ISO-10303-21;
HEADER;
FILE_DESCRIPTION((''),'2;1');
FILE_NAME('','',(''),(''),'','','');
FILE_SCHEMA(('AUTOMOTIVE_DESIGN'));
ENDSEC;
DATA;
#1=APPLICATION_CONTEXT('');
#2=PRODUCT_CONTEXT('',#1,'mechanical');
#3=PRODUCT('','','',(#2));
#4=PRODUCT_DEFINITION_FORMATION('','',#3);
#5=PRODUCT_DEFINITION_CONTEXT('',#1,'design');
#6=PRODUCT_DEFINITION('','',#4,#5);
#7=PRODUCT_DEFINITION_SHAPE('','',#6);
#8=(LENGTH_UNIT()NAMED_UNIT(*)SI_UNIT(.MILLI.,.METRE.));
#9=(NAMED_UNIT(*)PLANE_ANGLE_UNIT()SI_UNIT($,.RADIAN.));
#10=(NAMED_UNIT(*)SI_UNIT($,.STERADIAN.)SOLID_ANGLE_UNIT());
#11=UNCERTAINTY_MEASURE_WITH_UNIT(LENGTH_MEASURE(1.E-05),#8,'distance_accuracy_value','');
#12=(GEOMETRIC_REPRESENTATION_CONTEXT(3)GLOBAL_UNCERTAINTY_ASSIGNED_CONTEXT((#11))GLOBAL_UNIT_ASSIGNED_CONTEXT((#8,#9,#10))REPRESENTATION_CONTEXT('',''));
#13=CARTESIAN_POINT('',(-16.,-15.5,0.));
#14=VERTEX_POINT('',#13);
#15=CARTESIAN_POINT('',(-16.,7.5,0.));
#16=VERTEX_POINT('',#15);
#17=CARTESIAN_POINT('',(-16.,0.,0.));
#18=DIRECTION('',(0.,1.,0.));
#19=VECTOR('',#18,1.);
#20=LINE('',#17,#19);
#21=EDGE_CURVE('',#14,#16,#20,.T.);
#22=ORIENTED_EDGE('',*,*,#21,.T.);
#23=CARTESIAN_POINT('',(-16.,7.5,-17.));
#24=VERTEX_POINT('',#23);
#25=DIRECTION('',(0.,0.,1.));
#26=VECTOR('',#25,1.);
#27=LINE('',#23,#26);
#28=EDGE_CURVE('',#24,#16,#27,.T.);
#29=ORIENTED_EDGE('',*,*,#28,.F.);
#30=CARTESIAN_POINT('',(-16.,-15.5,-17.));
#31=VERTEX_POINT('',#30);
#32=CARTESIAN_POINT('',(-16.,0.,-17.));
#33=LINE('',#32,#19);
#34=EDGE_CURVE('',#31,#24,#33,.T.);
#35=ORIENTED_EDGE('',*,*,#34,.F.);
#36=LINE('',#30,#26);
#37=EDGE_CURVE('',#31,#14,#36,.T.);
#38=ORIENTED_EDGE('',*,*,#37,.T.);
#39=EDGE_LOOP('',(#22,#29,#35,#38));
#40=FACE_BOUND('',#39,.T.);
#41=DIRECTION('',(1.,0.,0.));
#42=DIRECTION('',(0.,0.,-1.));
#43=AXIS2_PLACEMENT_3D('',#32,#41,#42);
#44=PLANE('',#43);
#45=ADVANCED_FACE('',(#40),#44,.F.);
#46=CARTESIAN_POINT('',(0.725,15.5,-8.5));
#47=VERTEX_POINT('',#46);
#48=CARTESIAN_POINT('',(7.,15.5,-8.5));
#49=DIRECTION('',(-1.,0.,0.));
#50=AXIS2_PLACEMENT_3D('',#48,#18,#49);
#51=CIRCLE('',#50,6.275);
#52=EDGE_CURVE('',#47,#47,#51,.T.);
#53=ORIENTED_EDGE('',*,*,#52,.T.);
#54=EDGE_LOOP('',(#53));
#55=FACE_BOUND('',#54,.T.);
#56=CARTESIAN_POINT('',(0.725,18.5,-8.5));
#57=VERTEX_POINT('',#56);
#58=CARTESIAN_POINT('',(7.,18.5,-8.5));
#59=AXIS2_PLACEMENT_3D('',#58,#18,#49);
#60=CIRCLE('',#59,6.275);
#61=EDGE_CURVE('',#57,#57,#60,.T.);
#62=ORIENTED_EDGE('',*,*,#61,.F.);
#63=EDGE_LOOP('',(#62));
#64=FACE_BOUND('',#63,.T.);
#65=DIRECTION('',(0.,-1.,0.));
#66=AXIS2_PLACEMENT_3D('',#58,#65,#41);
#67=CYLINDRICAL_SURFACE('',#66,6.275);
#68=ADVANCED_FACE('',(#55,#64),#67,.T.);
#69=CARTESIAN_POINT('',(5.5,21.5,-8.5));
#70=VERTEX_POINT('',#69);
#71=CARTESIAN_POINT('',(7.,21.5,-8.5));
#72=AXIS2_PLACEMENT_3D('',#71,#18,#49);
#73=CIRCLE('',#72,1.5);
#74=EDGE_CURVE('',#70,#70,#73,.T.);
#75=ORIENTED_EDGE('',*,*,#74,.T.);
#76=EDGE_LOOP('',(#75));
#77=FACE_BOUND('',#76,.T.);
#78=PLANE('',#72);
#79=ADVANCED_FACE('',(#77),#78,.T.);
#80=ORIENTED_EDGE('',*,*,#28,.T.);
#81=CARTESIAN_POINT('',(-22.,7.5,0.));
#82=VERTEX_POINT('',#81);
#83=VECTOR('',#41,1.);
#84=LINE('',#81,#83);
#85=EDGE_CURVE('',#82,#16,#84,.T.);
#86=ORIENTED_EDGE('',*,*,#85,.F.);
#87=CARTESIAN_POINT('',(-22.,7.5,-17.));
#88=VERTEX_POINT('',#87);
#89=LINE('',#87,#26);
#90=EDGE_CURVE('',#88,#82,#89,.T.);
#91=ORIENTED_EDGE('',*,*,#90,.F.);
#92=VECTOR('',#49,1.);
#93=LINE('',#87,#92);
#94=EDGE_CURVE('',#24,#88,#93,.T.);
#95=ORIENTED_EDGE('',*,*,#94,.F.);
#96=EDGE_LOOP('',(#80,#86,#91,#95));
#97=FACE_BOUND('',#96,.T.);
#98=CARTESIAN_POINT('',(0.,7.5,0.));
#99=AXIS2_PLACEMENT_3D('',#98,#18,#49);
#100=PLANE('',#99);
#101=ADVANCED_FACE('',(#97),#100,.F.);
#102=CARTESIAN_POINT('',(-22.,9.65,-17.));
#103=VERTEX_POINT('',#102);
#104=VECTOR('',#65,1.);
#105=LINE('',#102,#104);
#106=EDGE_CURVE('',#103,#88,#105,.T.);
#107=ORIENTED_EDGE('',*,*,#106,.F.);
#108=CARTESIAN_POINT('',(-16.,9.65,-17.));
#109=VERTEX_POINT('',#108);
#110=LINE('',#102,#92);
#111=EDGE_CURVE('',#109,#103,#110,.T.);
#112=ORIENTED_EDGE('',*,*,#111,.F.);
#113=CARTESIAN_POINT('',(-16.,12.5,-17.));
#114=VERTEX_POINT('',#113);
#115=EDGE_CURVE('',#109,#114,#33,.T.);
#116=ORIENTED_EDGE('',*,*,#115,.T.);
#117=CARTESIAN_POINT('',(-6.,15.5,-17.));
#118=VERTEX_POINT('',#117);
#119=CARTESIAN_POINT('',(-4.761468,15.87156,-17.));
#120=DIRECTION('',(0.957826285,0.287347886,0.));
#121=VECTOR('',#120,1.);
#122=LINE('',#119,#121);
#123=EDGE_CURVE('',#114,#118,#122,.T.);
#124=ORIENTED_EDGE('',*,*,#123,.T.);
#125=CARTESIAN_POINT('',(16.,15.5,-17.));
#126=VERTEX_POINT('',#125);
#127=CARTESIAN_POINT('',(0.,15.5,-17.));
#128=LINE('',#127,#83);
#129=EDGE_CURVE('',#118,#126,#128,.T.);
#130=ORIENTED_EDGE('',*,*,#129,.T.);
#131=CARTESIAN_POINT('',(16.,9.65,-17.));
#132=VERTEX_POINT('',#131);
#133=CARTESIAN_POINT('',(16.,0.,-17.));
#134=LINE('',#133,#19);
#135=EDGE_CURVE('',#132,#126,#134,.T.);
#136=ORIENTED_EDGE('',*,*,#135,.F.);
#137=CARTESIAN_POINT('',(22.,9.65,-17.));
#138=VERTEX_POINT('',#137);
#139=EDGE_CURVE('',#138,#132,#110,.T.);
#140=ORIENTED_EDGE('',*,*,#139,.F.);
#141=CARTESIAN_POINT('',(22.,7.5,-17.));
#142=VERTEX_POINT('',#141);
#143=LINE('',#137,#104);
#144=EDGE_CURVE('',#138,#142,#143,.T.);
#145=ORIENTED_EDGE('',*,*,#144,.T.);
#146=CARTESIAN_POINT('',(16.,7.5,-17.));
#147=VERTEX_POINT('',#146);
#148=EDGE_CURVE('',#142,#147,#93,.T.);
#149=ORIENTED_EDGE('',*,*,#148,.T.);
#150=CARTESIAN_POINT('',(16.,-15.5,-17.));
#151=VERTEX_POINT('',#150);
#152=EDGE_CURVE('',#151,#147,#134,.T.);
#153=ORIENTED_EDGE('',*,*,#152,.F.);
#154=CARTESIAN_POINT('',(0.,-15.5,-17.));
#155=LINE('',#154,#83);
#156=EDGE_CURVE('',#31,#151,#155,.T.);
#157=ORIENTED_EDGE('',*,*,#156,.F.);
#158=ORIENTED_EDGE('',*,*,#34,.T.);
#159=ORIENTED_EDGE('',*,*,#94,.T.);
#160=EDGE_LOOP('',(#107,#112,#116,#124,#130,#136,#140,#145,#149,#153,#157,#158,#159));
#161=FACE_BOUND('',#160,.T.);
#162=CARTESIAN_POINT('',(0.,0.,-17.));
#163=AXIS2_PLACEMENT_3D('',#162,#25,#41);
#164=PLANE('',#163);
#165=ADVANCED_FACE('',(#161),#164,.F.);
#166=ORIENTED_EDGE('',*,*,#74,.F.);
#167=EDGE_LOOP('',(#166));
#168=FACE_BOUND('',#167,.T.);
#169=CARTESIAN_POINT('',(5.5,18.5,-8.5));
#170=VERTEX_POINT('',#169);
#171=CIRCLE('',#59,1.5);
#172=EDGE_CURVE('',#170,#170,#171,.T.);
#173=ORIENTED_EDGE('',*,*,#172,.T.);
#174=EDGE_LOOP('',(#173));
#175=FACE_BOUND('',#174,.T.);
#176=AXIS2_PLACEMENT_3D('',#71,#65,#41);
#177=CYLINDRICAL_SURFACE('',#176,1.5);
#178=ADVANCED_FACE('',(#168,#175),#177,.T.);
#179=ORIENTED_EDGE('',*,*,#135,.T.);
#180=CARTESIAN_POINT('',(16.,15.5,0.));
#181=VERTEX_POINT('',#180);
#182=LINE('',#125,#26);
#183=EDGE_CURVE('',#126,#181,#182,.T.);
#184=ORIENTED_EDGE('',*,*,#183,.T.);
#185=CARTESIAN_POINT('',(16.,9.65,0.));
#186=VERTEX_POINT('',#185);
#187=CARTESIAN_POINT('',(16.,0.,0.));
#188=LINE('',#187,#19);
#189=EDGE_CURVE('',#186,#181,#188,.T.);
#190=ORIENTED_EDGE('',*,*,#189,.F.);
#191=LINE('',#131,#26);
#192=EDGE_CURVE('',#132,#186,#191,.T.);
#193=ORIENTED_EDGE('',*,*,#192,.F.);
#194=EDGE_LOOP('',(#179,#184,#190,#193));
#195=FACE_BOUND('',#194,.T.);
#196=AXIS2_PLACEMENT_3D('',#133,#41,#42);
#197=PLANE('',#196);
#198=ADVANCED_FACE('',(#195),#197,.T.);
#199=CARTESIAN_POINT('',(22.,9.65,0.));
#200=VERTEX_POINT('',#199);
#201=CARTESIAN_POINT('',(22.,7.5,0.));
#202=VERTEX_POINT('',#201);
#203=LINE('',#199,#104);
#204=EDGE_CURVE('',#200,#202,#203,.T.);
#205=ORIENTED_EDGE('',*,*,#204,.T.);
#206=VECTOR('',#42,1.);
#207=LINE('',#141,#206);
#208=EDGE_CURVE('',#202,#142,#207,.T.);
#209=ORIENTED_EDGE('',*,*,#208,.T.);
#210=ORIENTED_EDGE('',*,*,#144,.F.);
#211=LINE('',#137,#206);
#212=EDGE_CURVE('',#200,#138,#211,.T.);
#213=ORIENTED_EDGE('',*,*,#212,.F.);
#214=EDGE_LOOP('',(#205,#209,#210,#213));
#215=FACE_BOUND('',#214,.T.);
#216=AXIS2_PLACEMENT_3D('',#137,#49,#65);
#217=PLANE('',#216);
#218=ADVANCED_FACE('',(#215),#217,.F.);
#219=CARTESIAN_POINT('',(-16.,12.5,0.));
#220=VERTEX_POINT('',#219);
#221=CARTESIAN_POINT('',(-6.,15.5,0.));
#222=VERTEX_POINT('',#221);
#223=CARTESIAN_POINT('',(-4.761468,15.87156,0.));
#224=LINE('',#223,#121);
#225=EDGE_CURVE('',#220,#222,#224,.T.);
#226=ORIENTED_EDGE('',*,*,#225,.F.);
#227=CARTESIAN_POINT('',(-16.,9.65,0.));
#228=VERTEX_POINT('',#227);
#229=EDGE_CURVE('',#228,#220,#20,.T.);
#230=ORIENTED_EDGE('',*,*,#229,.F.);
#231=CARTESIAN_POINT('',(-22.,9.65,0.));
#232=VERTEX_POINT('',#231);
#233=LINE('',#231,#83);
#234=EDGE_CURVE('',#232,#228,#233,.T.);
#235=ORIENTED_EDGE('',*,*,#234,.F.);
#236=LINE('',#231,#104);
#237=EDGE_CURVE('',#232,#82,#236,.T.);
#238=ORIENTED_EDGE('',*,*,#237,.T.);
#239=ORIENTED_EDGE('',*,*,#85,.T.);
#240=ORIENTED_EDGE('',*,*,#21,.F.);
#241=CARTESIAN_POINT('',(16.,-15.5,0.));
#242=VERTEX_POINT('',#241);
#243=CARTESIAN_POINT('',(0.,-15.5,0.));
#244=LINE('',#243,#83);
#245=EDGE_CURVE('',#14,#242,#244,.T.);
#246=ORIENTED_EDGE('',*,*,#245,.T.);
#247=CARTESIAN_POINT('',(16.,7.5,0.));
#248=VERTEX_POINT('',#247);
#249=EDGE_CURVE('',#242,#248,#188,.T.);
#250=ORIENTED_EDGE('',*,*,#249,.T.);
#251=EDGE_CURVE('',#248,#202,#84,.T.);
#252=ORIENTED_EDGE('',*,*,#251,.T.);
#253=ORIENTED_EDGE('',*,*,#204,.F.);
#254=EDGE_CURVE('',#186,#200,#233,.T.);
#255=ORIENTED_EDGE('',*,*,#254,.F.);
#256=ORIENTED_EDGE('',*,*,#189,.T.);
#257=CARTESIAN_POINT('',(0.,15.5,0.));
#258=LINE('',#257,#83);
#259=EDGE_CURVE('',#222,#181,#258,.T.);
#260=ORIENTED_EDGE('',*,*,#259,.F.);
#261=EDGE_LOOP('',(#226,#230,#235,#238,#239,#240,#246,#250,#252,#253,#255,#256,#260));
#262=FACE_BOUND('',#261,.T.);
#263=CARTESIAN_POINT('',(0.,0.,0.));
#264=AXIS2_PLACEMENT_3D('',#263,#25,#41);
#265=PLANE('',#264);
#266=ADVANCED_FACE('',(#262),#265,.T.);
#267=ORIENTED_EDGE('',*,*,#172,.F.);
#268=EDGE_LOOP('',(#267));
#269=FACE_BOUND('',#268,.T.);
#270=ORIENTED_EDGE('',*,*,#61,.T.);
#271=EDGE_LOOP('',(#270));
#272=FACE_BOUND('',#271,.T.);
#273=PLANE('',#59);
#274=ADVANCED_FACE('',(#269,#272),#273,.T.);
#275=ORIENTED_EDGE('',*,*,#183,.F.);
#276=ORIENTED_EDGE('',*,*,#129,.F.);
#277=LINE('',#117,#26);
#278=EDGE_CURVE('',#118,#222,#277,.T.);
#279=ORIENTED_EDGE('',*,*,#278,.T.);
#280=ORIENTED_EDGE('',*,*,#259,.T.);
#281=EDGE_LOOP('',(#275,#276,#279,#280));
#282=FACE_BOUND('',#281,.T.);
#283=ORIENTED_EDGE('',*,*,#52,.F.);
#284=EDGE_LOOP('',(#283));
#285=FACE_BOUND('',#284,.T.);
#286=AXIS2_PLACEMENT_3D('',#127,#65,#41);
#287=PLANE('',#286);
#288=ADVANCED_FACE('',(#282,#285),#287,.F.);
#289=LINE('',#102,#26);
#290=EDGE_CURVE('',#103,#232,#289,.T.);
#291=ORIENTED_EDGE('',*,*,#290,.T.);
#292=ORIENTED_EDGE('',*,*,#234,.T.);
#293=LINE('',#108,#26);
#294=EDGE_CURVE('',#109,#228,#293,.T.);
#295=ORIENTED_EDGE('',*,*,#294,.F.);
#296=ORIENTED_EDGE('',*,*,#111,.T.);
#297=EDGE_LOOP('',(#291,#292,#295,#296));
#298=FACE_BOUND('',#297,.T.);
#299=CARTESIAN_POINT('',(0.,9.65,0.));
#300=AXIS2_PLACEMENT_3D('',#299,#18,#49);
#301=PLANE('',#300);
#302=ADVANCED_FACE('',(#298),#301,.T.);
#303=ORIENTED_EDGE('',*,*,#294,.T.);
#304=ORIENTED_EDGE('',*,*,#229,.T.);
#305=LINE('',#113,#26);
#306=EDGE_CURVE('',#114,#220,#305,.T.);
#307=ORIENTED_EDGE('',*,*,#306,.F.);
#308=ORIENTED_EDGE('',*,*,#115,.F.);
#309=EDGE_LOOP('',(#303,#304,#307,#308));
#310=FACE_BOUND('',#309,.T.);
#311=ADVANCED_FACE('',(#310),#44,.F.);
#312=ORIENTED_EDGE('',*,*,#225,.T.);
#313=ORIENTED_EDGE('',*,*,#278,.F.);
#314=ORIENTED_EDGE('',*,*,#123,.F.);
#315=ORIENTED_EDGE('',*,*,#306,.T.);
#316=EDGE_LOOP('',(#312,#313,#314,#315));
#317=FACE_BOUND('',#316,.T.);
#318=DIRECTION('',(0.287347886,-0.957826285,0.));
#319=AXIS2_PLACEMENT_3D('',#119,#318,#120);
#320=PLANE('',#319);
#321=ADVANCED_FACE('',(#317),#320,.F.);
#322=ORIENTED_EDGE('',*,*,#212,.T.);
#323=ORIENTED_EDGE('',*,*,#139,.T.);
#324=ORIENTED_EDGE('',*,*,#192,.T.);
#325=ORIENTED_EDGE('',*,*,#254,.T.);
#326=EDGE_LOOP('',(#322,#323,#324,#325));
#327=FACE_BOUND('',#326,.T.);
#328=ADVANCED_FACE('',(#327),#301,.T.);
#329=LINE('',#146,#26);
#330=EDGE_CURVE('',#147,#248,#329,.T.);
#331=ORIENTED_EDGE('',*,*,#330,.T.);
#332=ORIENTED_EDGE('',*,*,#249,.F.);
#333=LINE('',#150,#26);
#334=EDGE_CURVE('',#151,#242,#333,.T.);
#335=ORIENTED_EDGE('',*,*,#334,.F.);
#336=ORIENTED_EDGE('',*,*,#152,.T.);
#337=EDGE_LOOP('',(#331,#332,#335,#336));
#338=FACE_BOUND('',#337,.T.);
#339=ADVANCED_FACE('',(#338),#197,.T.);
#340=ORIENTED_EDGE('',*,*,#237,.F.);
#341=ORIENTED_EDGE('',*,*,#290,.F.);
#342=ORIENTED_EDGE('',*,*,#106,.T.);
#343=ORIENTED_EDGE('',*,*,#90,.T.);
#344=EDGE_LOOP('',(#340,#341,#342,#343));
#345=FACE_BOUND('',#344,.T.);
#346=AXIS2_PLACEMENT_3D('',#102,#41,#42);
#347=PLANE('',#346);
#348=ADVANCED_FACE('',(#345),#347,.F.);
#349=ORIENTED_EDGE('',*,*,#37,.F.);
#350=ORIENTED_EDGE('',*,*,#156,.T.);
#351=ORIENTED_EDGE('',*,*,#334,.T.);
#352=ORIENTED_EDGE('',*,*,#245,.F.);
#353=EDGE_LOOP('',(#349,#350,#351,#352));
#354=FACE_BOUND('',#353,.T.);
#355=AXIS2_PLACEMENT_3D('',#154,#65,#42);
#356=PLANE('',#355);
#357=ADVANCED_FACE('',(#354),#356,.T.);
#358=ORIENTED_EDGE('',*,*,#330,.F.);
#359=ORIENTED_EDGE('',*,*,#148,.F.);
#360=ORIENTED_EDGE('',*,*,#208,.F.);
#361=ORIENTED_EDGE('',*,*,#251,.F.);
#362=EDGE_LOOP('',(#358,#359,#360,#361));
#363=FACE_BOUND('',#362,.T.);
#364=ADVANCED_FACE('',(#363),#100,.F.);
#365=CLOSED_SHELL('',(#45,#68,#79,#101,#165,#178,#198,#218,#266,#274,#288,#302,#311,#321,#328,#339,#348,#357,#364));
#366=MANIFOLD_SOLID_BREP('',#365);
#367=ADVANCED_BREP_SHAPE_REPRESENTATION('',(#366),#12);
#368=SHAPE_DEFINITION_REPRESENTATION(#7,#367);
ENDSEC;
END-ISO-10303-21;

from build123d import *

# Parameters (mm, degrees)
BOSS_EXTRUDE1_DEPTH = 17
SKETCH2_W           = 44
SKETCH2_H           = 17
BOSS_EXTRUDE2_DEPTH = 2.15
SKETCH3_R           = 6.275
BOSS_EXTRUDE3_DEPTH = 3
SKETCH4_R           = 1.5
BOSS_EXTRUDE4_DEPTH = 3


with BuildPart() as part:
    # Sketch1 → Boss-Extrude1 (new body)
    with BuildSketch(Plane.XY):
        Polygon((-16, 12.5), (-6, 15.5), (16, 15.5), (16, -15.5), (-16, -15.5), align=None)
    extrude(amount=-BOSS_EXTRUDE1_DEPTH)

    # Sketch2 → Boss-Extrude2 (add)
    with BuildSketch(Plane(origin=(0, 7.5, 0), x_dir=(1, 0, 0), z_dir=(0, 1, 0))):
        with Locations((0, 8.5)):
            Rectangle(SKETCH2_W, SKETCH2_H)
    extrude(amount=BOSS_EXTRUDE2_DEPTH)

    # Sketch3 → Boss-Extrude3 (add)
    with BuildSketch(Plane(origin=(0, 15.5, 0), x_dir=(1, 0, 0), z_dir=(0, 1, 0))):
        with Locations(Location((7, 8.5, 0), (0, 0, 180))):
            Circle(SKETCH3_R)
    extrude(amount=BOSS_EXTRUDE3_DEPTH)

    # Sketch4 → Boss-Extrude4 (add)
    with BuildSketch(Plane(origin=(0, 18.5, 0), x_dir=(1, 0, 0), z_dir=(0, 1, 0))):
        with Locations(Location((7, 8.5, 0), (0, 0, 180))):
            Circle(SKETCH4_R)
    extrude(amount=BOSS_EXTRUDE4_DEPTH)


solid = part.part
